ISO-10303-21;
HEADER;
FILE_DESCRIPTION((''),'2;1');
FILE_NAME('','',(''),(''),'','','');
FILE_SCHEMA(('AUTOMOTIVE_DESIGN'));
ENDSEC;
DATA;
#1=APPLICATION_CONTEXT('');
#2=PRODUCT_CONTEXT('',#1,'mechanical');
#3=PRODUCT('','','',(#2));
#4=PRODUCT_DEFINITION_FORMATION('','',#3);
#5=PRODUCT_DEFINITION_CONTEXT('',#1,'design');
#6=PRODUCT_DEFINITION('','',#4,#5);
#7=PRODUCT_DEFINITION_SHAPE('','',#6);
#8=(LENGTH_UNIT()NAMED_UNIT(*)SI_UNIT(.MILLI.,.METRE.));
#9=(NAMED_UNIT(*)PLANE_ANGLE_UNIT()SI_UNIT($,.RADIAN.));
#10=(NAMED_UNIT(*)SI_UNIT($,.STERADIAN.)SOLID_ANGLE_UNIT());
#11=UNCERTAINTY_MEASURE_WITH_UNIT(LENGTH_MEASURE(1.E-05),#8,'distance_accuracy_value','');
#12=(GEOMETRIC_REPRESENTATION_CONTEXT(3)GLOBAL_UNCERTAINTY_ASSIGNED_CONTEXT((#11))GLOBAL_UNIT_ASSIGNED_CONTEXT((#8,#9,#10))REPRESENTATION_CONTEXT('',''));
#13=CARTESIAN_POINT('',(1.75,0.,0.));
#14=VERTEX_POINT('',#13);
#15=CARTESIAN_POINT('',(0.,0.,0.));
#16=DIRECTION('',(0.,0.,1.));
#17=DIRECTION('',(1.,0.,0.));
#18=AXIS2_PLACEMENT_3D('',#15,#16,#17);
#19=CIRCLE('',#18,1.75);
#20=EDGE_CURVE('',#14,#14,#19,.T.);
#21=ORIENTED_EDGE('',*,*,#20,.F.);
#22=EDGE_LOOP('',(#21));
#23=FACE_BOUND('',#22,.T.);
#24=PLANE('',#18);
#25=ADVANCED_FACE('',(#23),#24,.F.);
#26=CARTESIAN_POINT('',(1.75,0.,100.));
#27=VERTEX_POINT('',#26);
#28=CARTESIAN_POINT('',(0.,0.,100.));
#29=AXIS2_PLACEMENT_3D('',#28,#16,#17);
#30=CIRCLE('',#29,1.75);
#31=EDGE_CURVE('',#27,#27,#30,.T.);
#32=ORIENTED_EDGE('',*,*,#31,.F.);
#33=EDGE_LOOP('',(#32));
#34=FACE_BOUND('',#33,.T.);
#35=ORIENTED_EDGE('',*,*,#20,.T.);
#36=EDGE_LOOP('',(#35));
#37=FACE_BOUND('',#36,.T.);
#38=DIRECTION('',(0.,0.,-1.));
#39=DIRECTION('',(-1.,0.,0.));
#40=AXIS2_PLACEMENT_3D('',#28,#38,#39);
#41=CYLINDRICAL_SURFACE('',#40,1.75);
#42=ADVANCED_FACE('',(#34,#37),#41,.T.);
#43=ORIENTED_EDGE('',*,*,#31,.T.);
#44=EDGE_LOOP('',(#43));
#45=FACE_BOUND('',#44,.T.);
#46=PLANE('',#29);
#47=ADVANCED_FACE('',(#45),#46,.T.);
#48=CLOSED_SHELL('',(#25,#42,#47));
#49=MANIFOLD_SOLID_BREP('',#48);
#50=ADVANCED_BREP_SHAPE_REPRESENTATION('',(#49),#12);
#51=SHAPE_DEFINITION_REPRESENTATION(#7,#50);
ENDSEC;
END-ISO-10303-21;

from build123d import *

# Parameters (mm, degrees)
SKETCH_1_R      = 1.75
EXTRUDE_1_DEPTH = 100


with BuildPart() as part:
    # Эскиз1 → Вытянуть1 (new body)
    with BuildSketch(Plane.XY):
        Circle(SKETCH_1_R)
    extrude(amount=EXTRUDE_1_DEPTH)


solid = part.part
